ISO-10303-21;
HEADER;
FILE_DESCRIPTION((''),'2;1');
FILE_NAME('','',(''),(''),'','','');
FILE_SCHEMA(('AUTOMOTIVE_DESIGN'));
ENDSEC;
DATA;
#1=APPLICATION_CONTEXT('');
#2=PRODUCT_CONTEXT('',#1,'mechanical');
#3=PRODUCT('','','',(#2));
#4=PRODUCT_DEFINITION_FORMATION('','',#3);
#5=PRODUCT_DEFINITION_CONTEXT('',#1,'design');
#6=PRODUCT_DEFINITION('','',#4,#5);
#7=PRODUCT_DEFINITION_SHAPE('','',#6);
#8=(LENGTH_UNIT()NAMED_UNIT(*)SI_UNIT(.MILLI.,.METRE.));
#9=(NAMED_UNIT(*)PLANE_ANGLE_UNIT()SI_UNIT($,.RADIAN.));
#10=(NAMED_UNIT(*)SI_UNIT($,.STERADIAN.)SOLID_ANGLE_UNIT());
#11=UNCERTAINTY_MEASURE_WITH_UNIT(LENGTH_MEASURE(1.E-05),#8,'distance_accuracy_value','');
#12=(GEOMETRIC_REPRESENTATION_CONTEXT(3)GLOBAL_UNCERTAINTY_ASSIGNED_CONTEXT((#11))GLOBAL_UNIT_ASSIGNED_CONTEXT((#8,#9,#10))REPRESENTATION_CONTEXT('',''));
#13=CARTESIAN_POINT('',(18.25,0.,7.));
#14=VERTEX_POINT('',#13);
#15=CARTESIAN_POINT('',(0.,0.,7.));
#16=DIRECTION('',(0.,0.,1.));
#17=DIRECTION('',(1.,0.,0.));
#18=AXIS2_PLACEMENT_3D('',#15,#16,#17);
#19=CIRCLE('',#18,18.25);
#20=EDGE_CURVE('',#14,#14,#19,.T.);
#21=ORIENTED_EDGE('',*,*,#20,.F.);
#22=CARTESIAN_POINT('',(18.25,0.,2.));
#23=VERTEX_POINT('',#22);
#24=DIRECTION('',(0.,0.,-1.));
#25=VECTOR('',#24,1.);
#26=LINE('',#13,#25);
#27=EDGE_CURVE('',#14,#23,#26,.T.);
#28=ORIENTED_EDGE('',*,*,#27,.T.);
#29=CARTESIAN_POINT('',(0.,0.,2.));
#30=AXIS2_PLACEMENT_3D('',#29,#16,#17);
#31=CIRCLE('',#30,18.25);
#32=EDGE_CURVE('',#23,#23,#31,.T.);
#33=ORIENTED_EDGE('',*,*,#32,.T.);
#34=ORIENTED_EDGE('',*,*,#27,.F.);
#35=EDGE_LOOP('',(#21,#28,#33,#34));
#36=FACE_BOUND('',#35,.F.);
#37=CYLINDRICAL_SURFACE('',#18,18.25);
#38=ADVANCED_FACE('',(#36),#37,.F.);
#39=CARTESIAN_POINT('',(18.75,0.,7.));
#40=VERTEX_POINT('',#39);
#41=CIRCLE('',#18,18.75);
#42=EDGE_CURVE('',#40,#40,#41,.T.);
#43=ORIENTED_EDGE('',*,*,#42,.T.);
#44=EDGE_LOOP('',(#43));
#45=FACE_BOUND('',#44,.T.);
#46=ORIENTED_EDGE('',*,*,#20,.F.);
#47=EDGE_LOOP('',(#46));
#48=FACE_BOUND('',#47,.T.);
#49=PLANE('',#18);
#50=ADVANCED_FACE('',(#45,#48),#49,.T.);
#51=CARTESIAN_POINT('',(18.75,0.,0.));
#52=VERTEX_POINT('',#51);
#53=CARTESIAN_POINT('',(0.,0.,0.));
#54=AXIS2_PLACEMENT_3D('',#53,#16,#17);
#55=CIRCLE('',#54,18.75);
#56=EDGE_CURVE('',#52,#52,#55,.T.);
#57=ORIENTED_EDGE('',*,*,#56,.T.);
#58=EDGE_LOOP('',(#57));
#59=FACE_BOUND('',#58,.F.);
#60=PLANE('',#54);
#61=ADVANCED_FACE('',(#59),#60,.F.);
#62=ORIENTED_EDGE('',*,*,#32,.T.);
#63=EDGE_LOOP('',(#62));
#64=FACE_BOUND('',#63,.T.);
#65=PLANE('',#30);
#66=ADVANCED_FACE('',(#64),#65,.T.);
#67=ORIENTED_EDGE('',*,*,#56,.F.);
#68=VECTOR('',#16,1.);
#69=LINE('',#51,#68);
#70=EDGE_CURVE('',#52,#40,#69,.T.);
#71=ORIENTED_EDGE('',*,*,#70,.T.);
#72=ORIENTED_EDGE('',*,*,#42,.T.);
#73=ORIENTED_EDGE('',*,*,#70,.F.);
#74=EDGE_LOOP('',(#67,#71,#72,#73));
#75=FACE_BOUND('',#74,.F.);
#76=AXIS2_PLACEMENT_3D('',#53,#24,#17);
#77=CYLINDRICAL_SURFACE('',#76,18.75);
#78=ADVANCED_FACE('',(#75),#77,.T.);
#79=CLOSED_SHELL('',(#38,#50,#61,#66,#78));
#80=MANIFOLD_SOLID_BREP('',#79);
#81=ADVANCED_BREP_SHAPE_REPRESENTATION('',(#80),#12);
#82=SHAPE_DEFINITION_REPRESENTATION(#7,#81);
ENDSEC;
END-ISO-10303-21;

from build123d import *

# Parameters (mm, degrees)
SKETCH_R     = 18.75
PAD_DEPTH    = 7
SKETCH001_R  = 18.25
POCKET_DEPTH = 5


with BuildPart() as part:
    # Sketch → Pad (new body)
    with BuildSketch(Plane.XY):
        Circle(SKETCH_R)
    extrude(amount=PAD_DEPTH)

    # Sketch001 (on Face3 of Pad) → Pocket (cut)
    with BuildSketch(Plane.XY.offset(7)):
        Circle(SKETCH001_R)
    extrude(amount=-POCKET_DEPTH, mode=Mode.SUBTRACT)


solid = part.part
